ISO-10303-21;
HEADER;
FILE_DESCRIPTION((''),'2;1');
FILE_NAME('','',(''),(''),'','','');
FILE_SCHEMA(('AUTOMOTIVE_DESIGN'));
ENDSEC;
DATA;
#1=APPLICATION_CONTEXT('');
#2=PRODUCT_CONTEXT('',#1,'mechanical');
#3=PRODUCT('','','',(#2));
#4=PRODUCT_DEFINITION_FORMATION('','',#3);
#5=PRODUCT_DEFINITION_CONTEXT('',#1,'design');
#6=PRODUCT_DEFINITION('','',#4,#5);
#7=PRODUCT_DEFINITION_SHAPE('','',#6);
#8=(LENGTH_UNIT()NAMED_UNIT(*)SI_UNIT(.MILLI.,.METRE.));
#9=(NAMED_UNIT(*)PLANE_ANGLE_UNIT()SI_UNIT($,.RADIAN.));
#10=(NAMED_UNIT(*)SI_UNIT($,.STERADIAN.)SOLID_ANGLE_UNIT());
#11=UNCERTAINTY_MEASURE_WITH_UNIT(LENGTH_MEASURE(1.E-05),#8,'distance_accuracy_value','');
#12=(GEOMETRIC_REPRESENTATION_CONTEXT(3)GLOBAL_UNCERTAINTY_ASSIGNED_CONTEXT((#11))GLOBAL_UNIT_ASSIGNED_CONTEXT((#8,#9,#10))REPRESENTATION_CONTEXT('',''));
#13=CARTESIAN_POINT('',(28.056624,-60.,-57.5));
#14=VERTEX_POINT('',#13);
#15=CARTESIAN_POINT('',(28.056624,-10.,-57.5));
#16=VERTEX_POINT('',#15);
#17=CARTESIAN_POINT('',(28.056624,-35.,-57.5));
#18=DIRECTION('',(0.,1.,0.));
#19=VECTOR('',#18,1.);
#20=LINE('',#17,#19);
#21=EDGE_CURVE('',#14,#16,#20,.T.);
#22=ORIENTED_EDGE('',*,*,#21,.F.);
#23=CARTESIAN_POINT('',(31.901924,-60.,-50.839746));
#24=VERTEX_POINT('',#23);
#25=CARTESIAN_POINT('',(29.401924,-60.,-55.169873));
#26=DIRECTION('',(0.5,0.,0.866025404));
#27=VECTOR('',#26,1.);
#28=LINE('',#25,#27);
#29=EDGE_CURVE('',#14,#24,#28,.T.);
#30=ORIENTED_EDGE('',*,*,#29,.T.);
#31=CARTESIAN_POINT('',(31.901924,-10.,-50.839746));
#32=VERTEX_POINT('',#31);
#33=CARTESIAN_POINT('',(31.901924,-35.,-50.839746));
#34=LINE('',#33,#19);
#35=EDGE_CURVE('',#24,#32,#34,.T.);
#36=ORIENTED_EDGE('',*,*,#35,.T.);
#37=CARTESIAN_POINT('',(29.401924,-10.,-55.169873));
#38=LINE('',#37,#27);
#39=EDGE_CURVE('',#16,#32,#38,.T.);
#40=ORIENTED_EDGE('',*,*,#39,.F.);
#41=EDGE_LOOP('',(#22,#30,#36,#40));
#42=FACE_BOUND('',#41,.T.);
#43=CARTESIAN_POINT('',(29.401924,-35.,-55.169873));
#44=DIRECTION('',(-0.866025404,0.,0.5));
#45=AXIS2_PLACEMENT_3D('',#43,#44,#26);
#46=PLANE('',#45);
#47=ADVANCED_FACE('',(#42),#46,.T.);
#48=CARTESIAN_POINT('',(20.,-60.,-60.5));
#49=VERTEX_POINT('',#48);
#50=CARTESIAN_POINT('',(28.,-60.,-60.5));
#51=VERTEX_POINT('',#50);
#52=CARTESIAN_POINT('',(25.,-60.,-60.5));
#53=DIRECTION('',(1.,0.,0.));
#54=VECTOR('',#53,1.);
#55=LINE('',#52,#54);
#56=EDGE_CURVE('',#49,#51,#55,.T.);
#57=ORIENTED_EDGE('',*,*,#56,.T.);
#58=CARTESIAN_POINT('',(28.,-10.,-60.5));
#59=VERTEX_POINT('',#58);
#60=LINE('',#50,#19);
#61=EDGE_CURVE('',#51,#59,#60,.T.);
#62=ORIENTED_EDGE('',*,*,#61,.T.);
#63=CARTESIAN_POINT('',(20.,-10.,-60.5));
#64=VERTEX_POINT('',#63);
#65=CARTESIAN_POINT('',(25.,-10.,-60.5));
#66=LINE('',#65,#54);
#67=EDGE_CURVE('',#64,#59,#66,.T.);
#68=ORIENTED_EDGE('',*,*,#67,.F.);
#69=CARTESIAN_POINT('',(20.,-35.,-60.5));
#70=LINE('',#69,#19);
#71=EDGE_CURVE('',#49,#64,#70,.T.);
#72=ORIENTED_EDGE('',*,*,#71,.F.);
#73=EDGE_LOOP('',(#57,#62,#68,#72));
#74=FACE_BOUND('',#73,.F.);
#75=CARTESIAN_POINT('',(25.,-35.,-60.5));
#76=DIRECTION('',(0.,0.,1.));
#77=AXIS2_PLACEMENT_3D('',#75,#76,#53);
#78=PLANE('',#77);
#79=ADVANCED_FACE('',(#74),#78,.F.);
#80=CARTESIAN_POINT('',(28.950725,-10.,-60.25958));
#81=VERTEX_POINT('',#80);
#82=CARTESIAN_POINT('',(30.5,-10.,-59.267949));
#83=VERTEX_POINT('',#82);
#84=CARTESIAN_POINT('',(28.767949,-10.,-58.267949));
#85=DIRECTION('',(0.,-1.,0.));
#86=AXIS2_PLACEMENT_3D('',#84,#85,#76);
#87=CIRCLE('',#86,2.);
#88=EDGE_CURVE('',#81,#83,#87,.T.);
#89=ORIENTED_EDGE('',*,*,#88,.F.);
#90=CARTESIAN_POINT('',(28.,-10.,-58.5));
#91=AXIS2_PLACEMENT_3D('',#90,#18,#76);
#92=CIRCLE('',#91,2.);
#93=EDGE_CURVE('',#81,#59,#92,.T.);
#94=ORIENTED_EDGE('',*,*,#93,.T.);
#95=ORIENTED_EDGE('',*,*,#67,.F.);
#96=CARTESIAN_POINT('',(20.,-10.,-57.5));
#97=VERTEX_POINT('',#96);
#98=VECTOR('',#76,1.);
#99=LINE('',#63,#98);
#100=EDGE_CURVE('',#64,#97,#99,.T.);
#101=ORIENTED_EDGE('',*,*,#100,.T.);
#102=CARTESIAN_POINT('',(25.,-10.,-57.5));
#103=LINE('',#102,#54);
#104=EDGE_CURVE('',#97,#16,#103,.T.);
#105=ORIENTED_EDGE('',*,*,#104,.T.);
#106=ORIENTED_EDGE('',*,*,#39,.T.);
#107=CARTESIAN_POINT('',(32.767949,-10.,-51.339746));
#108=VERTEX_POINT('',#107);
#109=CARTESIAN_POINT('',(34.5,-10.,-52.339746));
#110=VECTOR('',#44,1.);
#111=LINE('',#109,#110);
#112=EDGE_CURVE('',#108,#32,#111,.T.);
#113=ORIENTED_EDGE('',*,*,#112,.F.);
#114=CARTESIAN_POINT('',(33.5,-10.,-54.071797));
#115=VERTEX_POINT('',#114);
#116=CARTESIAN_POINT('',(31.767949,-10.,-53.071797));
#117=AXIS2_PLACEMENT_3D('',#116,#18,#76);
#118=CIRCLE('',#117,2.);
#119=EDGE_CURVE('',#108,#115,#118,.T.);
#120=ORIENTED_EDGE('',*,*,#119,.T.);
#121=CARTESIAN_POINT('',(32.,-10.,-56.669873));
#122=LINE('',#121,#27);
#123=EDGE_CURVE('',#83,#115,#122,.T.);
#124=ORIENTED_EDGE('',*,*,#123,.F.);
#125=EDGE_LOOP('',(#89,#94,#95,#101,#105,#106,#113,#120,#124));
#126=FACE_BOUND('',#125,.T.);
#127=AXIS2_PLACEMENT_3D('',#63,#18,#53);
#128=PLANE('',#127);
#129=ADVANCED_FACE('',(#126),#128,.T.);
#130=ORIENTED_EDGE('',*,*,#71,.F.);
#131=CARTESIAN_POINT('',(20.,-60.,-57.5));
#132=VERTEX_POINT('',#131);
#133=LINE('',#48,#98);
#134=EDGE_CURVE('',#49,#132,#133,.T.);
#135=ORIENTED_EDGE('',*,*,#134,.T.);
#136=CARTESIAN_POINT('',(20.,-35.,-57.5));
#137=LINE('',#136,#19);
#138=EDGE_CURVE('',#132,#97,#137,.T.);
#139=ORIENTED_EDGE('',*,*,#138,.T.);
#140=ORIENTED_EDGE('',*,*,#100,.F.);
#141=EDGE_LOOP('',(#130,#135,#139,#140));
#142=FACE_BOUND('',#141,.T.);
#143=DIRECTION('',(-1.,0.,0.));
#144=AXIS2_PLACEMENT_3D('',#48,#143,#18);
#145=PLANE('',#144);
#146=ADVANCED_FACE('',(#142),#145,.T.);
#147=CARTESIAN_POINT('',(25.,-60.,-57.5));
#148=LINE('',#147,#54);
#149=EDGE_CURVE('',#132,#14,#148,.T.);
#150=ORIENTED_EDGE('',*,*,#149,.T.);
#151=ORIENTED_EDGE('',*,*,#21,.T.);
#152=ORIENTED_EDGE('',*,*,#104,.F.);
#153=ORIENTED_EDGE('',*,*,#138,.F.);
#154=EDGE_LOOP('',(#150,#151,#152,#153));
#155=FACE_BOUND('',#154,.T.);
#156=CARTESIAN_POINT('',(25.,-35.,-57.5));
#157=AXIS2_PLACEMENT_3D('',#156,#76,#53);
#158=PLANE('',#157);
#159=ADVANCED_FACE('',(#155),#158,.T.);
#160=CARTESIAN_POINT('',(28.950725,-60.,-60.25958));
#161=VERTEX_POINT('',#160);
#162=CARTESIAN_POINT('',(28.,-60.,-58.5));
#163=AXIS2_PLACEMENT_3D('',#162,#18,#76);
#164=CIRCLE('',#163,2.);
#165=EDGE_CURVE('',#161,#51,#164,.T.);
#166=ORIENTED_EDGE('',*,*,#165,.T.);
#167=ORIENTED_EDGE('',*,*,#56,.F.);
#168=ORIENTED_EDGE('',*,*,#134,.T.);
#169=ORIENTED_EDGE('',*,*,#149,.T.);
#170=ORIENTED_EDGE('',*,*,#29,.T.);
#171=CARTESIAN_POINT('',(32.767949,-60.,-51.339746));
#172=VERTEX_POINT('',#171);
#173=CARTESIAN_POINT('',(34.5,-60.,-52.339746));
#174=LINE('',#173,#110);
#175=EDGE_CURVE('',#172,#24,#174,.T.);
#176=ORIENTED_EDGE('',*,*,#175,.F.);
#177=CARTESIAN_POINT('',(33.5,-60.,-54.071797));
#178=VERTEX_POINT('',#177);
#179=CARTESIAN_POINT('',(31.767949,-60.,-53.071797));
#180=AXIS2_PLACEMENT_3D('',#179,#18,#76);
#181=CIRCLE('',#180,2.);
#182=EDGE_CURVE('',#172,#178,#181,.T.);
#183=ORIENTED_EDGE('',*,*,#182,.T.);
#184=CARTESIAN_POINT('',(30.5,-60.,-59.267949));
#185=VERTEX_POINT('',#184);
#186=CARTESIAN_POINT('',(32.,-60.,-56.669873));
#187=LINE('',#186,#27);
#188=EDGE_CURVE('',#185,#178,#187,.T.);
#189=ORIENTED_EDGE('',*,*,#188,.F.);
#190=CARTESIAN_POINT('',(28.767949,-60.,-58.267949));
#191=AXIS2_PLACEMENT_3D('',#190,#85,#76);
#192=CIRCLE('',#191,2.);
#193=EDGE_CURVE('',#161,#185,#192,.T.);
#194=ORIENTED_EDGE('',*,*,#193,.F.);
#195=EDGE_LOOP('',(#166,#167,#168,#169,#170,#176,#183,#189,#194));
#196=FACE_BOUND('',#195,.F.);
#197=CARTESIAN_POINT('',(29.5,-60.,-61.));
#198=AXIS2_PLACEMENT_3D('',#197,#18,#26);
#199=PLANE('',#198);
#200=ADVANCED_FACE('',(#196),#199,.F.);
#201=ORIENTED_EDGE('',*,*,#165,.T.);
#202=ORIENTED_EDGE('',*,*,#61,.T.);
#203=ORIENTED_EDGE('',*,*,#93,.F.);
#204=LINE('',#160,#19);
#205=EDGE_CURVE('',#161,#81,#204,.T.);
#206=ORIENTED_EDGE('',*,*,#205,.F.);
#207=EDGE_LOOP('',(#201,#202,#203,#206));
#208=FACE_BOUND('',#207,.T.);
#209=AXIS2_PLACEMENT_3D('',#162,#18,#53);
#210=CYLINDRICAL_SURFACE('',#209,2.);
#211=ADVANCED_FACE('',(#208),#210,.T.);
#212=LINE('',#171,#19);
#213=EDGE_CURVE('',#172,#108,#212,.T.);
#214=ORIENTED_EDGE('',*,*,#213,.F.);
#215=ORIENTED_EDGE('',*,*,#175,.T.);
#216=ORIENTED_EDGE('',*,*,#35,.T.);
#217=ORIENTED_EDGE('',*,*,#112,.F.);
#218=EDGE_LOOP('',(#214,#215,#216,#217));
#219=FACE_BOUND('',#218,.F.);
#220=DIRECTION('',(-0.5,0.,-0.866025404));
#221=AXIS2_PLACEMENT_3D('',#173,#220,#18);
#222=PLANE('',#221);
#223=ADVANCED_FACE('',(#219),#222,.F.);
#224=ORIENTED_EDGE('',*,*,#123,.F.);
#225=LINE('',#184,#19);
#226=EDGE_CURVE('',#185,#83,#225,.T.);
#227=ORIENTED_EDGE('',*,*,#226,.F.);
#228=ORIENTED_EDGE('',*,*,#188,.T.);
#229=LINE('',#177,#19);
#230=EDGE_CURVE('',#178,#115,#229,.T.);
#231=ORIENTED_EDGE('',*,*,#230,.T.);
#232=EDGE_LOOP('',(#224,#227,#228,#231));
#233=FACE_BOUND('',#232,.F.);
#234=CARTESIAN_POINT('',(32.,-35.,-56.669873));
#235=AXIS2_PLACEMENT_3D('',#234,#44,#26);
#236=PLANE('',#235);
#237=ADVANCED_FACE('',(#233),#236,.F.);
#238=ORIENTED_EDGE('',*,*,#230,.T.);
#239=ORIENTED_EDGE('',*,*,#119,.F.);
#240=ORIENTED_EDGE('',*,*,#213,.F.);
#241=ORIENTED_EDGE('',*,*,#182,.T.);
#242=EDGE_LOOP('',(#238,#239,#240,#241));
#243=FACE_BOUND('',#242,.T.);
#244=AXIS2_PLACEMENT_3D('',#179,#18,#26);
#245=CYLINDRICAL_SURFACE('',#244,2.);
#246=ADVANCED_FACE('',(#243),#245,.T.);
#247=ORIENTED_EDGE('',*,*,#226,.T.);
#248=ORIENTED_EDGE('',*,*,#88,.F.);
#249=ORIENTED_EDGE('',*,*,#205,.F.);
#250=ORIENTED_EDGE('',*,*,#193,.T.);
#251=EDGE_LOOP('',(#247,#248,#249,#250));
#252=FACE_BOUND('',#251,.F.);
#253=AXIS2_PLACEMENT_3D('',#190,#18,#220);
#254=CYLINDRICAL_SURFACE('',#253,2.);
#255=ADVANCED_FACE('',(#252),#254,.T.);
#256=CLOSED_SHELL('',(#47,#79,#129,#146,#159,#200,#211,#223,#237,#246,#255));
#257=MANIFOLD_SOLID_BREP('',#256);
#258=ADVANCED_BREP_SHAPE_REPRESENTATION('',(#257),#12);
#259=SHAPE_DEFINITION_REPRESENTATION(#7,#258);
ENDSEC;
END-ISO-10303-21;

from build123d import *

# Parameters (mm, degrees)
BOX001_W        = 10
BOX001_H        = 50
BOX001_DEPTH    = 3
FILLET001_R     = 2
BOX_W           = 10
BOX_H           = 50
BOX_DEPTH       = 3
BOX_PITCH_ANGLE = -60
FILLET_R        = 2


with BuildPart() as fillet001:
    # Box001 → Box001 (new body)
    with BuildSketch(Plane(origin=(20, -60, -60.5), x_dir=(1, 0, 0), z_dir=(0, 0, 1))):
        with Locations((5, 25)):
            Rectangle(BOX001_W, BOX001_H)
    extrude(amount=BOX001_DEPTH)

    # Fillet001
    fillet001_edges = [fillet001.edges().sort_by_distance(p)[0] for p in [
        (30, -35, -60.5),
    ]]
    fillet(fillet001_edges, radius=FILLET001_R)


with BuildPart() as soportepila:
    # Box → Box (new body)
    with BuildSketch(Plane.XY):
        with Locations((5, 25)):
            Rectangle(BOX_W, BOX_H)
    extrude(amount=BOX_DEPTH)


with BuildPart() as soportepila_1:
    # Box pitch: moved
    add(soportepila.part.rotate(Axis((0, 0, 0), (0, 1, 0)), BOX_PITCH_ANGLE))


with BuildPart() as soportepila_2:
    # Box placement: moved
    add(soportepila_1.part.moved(Location((30, -60, -60.5))))

    # Fillet
    fillet_edges = [soportepila_2.edges().sort_by_distance(p)[0] for p in [
        (30, -35, -60.5),
        (35, -35, -51.839746),
    ]]
    fillet(fillet_edges, radius=FILLET_R)


with BuildPart() as soportepila_3:
    # Fillet placement: moved
    add(soportepila_2.part.moved(Location((-0.5, 0, -0.5))))

    # Fusion: union Fillet001
    add(fillet001.part)


solid = soportepila_3.part
